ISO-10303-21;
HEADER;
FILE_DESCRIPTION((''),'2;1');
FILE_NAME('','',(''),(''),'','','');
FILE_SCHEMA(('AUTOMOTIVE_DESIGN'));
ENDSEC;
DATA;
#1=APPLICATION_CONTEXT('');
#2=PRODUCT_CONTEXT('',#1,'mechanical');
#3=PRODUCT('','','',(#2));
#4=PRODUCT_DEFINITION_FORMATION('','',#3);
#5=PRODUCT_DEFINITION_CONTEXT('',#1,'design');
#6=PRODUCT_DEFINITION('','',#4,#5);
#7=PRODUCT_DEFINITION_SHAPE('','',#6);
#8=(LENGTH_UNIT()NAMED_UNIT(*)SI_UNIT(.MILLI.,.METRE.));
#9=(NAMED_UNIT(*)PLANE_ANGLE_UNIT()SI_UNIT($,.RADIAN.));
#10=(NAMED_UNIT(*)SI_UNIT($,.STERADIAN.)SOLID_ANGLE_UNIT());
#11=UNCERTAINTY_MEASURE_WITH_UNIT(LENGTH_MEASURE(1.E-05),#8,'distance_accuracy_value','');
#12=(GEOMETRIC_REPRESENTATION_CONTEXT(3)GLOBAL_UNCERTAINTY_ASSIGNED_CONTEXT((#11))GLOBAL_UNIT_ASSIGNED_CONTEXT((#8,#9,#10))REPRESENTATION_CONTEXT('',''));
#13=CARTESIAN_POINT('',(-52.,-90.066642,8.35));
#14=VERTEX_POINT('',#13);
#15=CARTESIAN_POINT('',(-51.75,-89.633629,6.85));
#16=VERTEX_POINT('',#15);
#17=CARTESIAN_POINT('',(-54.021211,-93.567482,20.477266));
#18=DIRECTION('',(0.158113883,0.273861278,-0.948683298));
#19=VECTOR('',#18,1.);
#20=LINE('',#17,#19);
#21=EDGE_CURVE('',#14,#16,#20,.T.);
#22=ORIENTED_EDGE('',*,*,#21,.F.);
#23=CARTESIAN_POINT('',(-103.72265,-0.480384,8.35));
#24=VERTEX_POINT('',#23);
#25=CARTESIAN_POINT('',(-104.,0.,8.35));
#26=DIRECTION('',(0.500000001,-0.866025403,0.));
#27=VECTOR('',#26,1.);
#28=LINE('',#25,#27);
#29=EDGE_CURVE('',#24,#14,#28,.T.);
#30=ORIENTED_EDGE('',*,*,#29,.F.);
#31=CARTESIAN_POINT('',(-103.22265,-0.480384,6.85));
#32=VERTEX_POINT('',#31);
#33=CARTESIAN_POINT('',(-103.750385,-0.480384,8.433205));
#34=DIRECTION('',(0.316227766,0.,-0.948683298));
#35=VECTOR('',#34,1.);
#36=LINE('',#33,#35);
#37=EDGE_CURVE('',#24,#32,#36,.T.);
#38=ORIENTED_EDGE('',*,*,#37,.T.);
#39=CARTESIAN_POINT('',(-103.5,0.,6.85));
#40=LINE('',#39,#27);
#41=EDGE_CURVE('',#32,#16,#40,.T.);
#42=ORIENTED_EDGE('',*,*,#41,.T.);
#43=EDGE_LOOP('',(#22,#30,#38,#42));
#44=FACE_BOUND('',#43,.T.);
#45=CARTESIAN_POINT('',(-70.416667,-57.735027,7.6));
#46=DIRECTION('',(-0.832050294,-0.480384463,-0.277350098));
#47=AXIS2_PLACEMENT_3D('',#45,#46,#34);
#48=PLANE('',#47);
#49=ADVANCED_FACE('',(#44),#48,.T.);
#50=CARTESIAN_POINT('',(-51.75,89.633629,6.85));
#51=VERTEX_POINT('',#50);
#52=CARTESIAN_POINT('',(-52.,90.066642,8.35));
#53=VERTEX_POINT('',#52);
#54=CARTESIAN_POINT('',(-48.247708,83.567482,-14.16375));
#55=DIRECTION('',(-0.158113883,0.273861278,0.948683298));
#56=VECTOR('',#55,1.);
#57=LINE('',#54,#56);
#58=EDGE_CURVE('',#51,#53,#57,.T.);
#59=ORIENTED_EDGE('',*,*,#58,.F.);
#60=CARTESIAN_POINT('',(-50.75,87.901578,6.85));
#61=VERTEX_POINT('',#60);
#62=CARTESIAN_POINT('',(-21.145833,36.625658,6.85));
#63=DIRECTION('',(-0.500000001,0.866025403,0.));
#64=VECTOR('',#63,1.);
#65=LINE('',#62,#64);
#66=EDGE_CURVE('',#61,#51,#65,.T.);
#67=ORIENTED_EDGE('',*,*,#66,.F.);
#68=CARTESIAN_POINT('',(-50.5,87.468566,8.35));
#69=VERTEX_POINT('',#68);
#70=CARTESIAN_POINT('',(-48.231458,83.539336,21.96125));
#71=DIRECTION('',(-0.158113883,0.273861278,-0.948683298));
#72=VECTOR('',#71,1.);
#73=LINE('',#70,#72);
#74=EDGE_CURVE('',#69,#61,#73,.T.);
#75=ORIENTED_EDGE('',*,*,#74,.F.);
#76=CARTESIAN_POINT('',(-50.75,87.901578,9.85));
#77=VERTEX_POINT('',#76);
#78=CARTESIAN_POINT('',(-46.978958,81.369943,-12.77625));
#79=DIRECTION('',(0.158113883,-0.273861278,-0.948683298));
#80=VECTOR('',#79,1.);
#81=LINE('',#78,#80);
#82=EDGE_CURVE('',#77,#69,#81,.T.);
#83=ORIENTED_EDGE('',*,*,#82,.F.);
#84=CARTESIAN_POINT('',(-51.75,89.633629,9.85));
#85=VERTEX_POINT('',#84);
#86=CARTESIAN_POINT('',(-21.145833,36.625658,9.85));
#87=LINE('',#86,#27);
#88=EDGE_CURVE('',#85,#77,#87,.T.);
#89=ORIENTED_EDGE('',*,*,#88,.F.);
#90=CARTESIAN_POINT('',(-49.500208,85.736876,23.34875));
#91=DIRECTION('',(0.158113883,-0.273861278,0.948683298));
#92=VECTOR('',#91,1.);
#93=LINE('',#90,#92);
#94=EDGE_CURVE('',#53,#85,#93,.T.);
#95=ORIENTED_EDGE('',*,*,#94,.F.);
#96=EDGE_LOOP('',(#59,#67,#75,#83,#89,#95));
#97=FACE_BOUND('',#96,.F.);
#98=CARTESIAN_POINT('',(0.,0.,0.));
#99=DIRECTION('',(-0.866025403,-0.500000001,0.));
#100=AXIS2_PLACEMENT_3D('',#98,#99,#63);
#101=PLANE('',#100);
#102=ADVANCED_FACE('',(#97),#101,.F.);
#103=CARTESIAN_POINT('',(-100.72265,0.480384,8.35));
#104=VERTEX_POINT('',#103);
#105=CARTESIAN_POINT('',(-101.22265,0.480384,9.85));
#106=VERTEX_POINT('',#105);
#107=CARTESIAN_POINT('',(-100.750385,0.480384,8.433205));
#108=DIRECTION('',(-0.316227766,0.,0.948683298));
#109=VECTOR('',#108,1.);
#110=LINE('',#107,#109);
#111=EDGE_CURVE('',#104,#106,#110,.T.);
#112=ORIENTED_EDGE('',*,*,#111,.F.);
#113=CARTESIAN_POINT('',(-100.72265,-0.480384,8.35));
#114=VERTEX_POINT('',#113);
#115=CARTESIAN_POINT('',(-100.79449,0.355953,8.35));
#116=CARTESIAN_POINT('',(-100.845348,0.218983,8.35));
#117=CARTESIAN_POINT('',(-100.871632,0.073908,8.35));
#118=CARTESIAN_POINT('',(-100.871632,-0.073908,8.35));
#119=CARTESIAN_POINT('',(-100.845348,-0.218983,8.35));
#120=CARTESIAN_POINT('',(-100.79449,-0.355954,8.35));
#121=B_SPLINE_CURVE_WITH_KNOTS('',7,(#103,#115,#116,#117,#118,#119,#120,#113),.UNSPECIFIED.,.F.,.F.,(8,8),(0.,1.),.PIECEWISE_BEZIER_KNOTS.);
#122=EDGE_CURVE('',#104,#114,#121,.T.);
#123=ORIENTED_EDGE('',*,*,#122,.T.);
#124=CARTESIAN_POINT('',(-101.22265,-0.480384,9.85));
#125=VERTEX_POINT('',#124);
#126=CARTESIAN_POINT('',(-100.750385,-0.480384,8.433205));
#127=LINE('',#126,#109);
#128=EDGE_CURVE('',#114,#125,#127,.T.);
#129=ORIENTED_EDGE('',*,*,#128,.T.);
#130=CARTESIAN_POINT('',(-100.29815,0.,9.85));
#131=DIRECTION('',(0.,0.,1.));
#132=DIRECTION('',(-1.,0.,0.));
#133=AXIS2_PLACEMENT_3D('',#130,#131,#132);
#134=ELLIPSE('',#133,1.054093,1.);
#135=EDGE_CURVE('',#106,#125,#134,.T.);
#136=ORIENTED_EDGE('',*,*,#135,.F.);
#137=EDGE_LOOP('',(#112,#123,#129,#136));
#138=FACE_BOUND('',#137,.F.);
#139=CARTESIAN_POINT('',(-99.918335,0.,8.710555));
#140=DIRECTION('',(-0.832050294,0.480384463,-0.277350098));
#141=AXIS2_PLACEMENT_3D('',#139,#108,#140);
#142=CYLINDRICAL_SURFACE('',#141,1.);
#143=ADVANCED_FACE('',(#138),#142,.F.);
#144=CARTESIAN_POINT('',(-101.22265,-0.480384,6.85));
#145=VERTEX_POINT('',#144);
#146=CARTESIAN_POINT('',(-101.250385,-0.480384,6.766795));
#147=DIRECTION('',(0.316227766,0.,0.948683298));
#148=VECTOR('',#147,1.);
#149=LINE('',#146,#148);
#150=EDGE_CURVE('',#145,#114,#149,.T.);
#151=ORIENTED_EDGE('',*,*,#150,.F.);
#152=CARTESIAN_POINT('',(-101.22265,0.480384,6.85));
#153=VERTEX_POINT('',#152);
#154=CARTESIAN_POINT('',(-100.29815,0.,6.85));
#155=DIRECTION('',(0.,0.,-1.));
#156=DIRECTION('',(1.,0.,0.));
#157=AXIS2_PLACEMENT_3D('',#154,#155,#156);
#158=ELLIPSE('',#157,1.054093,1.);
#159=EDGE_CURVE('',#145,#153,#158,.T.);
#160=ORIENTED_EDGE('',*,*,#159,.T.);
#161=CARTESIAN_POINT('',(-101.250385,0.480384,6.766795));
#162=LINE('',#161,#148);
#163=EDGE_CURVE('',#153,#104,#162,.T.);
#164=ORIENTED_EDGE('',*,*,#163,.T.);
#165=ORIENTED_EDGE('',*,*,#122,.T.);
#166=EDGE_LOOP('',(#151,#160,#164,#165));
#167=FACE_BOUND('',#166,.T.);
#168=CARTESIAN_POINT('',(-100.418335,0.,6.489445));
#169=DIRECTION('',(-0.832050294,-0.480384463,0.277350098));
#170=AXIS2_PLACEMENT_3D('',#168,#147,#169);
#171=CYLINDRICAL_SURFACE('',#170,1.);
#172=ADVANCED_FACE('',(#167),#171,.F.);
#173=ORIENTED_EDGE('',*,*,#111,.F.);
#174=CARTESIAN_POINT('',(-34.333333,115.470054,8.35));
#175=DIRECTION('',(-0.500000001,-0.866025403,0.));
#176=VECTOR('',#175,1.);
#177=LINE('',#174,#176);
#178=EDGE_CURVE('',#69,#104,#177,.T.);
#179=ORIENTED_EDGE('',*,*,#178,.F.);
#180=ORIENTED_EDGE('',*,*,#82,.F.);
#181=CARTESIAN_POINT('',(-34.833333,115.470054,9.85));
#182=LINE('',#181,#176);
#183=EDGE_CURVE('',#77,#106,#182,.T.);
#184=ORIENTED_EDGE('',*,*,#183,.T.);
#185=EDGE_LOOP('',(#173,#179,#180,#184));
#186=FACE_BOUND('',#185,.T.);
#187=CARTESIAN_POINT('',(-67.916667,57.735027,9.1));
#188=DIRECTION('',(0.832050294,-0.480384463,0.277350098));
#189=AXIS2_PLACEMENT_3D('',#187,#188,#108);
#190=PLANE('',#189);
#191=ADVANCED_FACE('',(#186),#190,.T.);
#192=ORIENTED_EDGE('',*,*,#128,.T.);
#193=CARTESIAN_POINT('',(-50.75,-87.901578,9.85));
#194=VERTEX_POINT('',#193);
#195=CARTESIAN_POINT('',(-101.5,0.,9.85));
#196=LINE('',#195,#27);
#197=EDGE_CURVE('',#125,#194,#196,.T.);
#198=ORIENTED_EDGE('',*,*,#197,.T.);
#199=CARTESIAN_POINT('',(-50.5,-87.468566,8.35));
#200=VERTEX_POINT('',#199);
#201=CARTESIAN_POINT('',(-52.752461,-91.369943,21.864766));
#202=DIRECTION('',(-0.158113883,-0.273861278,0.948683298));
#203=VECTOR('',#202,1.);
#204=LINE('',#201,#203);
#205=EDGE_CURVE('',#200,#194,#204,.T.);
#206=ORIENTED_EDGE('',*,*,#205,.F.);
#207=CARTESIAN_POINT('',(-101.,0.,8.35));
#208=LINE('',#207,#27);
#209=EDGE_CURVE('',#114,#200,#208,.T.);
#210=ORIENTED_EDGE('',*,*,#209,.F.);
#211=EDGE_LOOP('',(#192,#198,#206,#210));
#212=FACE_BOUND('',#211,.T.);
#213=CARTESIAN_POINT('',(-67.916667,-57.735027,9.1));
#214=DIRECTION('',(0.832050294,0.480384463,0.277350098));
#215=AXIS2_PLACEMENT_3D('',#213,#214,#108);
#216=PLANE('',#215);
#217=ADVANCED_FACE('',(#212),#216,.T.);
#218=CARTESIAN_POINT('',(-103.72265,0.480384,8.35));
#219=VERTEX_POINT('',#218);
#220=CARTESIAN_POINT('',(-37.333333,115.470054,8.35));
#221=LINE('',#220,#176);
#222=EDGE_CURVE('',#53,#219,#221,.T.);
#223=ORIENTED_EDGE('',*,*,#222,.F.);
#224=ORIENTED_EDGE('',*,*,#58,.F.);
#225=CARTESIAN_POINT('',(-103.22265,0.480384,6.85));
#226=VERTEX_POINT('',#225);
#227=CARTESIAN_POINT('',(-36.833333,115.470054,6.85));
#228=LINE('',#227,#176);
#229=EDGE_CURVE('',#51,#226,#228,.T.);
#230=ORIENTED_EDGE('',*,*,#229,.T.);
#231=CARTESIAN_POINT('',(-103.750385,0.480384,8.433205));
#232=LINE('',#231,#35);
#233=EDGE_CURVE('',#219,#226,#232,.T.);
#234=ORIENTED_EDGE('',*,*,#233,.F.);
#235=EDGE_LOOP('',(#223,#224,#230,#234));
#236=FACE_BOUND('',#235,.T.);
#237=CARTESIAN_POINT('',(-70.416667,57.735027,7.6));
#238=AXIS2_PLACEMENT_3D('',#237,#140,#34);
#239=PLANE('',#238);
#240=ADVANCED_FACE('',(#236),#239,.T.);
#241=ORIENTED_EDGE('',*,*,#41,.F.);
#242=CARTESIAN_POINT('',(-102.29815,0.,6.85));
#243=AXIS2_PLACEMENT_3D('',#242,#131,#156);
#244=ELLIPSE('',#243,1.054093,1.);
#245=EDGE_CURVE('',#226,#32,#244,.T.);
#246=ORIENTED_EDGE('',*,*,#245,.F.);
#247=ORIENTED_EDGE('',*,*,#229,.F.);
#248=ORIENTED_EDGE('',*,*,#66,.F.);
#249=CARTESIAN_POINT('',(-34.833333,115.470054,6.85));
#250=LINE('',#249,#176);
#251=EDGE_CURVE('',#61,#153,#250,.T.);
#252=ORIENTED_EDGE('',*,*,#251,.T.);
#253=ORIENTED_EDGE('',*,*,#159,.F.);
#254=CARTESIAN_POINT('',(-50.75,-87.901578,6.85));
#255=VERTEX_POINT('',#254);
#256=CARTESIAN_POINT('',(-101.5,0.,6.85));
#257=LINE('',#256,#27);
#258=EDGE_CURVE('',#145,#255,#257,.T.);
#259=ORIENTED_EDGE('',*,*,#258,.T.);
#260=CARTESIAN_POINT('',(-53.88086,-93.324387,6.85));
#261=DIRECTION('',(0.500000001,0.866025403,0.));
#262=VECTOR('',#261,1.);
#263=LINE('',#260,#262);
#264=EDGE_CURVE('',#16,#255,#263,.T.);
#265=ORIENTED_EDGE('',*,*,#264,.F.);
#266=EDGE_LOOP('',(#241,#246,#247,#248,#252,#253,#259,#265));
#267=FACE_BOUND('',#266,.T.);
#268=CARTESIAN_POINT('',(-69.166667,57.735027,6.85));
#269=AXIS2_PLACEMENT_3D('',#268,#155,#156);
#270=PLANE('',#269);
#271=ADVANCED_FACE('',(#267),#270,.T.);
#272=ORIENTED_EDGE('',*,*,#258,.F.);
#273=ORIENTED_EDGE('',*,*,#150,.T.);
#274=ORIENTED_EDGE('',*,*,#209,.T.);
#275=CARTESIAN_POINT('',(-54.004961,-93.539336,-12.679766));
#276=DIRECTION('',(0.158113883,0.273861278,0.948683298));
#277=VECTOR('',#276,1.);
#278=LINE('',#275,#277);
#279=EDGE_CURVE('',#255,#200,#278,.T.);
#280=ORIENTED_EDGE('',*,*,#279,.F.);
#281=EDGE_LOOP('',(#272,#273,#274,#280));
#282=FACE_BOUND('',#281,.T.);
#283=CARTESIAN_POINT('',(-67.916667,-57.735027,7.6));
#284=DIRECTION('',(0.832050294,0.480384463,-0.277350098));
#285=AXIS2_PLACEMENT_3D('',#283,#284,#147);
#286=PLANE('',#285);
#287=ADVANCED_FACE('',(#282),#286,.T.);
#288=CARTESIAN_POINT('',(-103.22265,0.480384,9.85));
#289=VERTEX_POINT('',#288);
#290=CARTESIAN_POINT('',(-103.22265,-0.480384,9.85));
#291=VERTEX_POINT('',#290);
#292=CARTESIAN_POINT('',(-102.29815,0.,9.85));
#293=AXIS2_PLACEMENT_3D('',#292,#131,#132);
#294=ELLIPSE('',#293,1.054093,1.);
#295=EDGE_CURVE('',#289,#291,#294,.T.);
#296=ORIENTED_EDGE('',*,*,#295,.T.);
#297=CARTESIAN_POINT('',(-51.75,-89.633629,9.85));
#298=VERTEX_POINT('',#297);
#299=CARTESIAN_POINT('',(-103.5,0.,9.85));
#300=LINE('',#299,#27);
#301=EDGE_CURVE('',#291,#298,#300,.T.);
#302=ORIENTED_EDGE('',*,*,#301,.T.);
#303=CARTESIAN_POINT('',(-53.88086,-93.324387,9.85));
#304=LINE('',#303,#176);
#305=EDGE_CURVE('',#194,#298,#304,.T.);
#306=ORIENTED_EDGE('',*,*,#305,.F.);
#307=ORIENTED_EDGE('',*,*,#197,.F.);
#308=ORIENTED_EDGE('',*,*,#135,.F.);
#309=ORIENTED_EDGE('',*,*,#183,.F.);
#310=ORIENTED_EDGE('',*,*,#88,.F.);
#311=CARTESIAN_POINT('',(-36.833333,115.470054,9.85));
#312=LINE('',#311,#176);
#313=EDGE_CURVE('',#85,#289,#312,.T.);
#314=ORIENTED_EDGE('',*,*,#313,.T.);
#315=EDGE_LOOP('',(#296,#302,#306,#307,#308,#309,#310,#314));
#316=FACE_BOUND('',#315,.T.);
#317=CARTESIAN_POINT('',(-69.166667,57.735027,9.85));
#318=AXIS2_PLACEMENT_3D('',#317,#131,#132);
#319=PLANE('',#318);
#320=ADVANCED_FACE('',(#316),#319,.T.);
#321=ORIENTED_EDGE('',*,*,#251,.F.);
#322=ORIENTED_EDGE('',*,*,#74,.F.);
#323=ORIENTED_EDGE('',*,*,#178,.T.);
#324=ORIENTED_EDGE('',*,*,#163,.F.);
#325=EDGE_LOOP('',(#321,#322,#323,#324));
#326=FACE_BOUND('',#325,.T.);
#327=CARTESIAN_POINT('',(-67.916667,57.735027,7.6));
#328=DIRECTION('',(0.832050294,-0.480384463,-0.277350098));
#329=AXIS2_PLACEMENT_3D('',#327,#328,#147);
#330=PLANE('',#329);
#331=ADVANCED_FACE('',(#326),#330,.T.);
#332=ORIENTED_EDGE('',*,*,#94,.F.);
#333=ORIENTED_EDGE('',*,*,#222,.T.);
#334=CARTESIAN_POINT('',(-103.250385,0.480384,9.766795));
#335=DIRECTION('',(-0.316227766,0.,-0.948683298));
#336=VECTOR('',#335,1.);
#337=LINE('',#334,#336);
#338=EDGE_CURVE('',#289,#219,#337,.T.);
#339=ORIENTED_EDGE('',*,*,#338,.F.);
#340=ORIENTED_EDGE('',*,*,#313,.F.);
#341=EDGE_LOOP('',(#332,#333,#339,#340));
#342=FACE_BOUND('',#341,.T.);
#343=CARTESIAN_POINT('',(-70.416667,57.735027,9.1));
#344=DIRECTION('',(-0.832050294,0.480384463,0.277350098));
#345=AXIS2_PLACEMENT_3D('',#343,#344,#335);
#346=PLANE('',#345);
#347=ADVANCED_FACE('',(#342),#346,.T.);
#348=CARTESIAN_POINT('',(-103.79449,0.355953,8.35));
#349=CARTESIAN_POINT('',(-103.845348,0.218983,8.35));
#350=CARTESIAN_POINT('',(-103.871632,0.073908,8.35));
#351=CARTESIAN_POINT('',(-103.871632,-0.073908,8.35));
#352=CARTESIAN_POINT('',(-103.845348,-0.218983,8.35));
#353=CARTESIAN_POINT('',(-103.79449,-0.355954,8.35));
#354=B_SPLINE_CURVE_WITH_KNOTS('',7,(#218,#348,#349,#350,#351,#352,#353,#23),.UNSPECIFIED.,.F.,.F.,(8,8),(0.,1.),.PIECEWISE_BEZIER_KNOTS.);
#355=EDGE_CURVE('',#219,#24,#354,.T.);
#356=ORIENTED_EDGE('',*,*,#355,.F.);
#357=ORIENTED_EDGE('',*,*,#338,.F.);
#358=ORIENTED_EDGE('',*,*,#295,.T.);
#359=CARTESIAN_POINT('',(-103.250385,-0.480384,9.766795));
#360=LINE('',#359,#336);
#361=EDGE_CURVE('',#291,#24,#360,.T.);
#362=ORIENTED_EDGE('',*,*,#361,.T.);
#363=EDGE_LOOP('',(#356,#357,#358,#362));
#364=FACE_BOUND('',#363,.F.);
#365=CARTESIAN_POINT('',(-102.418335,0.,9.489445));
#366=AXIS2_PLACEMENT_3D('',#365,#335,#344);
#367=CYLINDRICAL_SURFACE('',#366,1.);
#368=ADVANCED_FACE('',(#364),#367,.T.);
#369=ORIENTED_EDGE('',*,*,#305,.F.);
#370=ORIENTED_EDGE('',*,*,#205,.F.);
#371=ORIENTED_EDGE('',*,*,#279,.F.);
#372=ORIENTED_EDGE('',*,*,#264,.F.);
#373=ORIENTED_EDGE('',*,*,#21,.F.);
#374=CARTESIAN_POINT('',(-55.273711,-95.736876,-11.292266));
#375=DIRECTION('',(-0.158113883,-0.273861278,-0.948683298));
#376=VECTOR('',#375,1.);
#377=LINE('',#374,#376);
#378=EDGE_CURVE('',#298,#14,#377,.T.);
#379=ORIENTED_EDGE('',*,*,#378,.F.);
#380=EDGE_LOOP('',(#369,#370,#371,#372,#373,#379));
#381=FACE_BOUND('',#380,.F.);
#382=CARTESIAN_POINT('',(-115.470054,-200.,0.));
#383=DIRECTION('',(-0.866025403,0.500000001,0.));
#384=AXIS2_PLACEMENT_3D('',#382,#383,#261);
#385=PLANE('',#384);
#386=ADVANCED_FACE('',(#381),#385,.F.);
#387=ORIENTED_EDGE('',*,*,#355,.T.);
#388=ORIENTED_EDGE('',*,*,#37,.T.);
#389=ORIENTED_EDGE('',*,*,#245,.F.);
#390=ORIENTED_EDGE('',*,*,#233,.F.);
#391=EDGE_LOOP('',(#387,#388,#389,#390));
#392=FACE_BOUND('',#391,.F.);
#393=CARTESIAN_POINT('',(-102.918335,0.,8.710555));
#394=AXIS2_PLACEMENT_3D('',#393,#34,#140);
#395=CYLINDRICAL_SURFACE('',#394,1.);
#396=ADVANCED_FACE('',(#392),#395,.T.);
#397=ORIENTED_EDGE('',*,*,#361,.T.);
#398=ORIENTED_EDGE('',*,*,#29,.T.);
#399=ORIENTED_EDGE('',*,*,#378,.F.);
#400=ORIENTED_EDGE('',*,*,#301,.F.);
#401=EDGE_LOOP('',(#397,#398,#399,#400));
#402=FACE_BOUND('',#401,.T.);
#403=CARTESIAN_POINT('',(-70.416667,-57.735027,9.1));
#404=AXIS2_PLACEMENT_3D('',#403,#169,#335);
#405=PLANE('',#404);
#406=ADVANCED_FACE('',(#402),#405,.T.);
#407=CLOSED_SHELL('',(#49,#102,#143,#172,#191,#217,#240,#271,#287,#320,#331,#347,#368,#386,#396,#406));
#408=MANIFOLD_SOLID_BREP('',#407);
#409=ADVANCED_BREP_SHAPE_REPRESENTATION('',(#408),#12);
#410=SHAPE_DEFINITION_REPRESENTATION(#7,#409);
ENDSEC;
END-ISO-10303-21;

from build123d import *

# Parameters (mm, degrees)
POCKET_DEPTH = 100
FILLET002_R  = 1


with BuildPart() as part:
    # AdditivePipe: sweep along a path in Sketch005
    with BuildLine(Plane.XY) as additivepipe_path:
        Line((66.666667, 115.470054), (0, 0))
        Line((0, 0), (66.666667, -115.470054))
    # Sketch004 → AdditivePipe (sweep)
    with BuildSketch(Plane.XZ):
        Polygon((-103.5, 6.85), (-104, 8.35), (-103.5, 9.85), (-101.5, 9.85), (-101, 8.35), (-101.5, 6.85), align=None)
    sweep(path=additivepipe_path.line)

    # Sketch006 → Pocket (cut)
    with BuildSketch(Plane.XY):
        Polygon((0, 0), (-115.470054, 200), (34.529946, 200), (150, 0), (34.529946, -200), (-115.470054, -200), align=None)
    extrude(amount=POCKET_DEPTH, mode=Mode.SUBTRACT)

    # Fillet002
    fillet002_edges = [part.edges().sort_by_distance(p)[0] for p in [
        (-103.75, 0, 9.1),
        (-103.75, 0, 7.6),
        (-101.25, 0, 9.1),
        (-101.25, 0, 7.6),
    ]]
    fillet(fillet002_edges, radius=FILLET002_R)


solid = part.part
